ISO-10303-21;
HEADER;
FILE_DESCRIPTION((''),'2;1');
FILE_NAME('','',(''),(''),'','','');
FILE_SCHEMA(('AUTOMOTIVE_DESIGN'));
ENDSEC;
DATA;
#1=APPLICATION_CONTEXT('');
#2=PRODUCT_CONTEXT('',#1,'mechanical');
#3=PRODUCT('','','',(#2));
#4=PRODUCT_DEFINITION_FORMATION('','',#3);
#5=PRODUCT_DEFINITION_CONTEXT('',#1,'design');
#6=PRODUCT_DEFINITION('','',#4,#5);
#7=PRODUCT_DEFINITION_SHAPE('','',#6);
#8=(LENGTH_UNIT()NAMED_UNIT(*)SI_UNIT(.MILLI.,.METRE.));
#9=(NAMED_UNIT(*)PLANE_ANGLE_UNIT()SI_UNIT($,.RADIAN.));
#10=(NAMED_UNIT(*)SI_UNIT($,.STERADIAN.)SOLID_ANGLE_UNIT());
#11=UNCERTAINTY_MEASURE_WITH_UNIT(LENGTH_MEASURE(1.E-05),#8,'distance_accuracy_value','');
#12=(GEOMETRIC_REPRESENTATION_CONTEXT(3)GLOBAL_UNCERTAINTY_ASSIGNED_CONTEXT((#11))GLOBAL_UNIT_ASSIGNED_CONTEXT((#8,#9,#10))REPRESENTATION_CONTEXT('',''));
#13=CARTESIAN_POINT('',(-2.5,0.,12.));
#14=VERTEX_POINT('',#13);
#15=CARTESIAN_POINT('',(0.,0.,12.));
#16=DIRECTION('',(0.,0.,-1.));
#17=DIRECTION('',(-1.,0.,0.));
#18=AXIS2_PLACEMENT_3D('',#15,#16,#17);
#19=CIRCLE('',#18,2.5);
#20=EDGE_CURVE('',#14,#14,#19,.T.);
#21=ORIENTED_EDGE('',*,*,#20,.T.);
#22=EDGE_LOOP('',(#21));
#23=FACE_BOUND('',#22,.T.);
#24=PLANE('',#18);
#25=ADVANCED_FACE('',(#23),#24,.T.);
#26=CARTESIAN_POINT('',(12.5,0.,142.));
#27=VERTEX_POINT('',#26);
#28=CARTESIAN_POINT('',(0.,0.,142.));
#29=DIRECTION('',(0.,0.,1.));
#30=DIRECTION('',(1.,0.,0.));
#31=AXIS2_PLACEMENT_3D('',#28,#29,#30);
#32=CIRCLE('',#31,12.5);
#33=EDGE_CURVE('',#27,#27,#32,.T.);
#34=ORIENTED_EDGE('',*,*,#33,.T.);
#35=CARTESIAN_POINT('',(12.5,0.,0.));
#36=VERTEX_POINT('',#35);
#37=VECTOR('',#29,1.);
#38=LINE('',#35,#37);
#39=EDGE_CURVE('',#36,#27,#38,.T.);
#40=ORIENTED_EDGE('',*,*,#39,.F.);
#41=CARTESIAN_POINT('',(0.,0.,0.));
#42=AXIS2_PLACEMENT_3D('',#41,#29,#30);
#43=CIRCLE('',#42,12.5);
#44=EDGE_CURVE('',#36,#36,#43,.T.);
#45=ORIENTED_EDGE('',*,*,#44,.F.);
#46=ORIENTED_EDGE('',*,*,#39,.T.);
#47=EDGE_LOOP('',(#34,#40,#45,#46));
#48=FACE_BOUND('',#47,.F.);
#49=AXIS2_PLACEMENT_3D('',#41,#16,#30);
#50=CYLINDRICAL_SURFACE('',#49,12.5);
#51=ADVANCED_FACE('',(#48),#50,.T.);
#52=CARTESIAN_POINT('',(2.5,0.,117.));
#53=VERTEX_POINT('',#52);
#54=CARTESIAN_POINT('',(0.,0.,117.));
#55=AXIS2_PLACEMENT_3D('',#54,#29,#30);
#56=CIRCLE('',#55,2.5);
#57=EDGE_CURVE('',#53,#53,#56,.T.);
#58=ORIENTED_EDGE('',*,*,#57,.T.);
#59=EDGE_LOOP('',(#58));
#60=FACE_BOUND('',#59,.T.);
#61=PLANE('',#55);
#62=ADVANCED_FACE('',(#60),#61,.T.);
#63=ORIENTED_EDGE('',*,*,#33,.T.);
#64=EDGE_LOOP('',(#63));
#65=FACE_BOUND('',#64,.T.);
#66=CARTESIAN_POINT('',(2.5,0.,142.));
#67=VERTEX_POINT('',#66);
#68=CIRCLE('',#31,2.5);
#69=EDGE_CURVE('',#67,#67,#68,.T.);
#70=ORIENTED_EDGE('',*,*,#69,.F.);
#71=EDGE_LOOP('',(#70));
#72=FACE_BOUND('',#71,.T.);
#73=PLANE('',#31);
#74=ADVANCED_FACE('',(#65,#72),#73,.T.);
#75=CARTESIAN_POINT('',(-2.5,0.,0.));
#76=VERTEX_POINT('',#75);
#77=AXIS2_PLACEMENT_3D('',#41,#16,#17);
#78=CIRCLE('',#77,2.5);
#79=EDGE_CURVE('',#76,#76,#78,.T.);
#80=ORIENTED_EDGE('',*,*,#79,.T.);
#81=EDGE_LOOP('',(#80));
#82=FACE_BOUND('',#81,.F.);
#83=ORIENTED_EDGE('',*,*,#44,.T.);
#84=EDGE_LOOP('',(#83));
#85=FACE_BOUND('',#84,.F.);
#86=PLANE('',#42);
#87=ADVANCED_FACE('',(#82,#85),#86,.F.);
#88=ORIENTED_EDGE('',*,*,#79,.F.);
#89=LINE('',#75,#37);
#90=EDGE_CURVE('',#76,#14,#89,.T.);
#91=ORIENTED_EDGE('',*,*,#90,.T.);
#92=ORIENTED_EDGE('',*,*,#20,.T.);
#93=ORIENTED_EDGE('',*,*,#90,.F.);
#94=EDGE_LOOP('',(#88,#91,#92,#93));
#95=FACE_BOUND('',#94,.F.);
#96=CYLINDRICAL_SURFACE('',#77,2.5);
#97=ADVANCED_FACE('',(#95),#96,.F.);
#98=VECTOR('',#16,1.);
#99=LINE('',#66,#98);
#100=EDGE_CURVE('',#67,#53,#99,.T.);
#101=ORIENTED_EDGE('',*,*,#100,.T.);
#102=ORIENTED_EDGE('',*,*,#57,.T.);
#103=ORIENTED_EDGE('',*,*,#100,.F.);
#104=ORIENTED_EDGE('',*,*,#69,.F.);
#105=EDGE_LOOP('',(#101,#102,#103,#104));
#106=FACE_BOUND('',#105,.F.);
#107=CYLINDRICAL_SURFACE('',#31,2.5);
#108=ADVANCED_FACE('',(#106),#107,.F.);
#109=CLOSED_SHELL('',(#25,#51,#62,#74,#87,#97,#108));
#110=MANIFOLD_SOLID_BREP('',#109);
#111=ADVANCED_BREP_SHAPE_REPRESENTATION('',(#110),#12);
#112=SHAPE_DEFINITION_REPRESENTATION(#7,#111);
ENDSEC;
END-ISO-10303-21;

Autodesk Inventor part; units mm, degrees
ref_plane "YZ Plane" through (0, 0, 0) normal (1, 0, 0) x (0, 1, 0)
ref_plane "XZ Plane" through (0, 0, 0) normal (0, 1, 0) x (-1, 0, 0)
ref_plane "XY Plane" through (0, 0, 0) normal (0, 0, 1) x (1, 0, 0)
sketch "Sketch1" plane through (0, 0, 0) normal (0, 0, 1) x (1, 0, 0)
  circle A0 centre (0, 0) radius 12.5
  dimension "d0" = 25
extrude "Extrusion1" add sketch "Sketch1" along normal blind 142
sketch "Sketch2" plane through (0, 0, 0) normal (0, 0, -1) x (-1, 0, 0)
  circle A0 centre (0, 0) radius 2.5
  dimension "d3" = 5
extrude "Extrusion2" cut sketch "Sketch2" against normal blind 12
sketch "Sketch3" plane through (0, 0, 142) normal (0, 0, 1) x (1, 0, 0)
  circle A0 centre (0, 0) radius 2.5
  dimension "d6" = 5
extrude "Extrusion3" cut sketch "Sketch3" against normal blind 25
properties part number "new shaft" material "PAEK Plastic"
